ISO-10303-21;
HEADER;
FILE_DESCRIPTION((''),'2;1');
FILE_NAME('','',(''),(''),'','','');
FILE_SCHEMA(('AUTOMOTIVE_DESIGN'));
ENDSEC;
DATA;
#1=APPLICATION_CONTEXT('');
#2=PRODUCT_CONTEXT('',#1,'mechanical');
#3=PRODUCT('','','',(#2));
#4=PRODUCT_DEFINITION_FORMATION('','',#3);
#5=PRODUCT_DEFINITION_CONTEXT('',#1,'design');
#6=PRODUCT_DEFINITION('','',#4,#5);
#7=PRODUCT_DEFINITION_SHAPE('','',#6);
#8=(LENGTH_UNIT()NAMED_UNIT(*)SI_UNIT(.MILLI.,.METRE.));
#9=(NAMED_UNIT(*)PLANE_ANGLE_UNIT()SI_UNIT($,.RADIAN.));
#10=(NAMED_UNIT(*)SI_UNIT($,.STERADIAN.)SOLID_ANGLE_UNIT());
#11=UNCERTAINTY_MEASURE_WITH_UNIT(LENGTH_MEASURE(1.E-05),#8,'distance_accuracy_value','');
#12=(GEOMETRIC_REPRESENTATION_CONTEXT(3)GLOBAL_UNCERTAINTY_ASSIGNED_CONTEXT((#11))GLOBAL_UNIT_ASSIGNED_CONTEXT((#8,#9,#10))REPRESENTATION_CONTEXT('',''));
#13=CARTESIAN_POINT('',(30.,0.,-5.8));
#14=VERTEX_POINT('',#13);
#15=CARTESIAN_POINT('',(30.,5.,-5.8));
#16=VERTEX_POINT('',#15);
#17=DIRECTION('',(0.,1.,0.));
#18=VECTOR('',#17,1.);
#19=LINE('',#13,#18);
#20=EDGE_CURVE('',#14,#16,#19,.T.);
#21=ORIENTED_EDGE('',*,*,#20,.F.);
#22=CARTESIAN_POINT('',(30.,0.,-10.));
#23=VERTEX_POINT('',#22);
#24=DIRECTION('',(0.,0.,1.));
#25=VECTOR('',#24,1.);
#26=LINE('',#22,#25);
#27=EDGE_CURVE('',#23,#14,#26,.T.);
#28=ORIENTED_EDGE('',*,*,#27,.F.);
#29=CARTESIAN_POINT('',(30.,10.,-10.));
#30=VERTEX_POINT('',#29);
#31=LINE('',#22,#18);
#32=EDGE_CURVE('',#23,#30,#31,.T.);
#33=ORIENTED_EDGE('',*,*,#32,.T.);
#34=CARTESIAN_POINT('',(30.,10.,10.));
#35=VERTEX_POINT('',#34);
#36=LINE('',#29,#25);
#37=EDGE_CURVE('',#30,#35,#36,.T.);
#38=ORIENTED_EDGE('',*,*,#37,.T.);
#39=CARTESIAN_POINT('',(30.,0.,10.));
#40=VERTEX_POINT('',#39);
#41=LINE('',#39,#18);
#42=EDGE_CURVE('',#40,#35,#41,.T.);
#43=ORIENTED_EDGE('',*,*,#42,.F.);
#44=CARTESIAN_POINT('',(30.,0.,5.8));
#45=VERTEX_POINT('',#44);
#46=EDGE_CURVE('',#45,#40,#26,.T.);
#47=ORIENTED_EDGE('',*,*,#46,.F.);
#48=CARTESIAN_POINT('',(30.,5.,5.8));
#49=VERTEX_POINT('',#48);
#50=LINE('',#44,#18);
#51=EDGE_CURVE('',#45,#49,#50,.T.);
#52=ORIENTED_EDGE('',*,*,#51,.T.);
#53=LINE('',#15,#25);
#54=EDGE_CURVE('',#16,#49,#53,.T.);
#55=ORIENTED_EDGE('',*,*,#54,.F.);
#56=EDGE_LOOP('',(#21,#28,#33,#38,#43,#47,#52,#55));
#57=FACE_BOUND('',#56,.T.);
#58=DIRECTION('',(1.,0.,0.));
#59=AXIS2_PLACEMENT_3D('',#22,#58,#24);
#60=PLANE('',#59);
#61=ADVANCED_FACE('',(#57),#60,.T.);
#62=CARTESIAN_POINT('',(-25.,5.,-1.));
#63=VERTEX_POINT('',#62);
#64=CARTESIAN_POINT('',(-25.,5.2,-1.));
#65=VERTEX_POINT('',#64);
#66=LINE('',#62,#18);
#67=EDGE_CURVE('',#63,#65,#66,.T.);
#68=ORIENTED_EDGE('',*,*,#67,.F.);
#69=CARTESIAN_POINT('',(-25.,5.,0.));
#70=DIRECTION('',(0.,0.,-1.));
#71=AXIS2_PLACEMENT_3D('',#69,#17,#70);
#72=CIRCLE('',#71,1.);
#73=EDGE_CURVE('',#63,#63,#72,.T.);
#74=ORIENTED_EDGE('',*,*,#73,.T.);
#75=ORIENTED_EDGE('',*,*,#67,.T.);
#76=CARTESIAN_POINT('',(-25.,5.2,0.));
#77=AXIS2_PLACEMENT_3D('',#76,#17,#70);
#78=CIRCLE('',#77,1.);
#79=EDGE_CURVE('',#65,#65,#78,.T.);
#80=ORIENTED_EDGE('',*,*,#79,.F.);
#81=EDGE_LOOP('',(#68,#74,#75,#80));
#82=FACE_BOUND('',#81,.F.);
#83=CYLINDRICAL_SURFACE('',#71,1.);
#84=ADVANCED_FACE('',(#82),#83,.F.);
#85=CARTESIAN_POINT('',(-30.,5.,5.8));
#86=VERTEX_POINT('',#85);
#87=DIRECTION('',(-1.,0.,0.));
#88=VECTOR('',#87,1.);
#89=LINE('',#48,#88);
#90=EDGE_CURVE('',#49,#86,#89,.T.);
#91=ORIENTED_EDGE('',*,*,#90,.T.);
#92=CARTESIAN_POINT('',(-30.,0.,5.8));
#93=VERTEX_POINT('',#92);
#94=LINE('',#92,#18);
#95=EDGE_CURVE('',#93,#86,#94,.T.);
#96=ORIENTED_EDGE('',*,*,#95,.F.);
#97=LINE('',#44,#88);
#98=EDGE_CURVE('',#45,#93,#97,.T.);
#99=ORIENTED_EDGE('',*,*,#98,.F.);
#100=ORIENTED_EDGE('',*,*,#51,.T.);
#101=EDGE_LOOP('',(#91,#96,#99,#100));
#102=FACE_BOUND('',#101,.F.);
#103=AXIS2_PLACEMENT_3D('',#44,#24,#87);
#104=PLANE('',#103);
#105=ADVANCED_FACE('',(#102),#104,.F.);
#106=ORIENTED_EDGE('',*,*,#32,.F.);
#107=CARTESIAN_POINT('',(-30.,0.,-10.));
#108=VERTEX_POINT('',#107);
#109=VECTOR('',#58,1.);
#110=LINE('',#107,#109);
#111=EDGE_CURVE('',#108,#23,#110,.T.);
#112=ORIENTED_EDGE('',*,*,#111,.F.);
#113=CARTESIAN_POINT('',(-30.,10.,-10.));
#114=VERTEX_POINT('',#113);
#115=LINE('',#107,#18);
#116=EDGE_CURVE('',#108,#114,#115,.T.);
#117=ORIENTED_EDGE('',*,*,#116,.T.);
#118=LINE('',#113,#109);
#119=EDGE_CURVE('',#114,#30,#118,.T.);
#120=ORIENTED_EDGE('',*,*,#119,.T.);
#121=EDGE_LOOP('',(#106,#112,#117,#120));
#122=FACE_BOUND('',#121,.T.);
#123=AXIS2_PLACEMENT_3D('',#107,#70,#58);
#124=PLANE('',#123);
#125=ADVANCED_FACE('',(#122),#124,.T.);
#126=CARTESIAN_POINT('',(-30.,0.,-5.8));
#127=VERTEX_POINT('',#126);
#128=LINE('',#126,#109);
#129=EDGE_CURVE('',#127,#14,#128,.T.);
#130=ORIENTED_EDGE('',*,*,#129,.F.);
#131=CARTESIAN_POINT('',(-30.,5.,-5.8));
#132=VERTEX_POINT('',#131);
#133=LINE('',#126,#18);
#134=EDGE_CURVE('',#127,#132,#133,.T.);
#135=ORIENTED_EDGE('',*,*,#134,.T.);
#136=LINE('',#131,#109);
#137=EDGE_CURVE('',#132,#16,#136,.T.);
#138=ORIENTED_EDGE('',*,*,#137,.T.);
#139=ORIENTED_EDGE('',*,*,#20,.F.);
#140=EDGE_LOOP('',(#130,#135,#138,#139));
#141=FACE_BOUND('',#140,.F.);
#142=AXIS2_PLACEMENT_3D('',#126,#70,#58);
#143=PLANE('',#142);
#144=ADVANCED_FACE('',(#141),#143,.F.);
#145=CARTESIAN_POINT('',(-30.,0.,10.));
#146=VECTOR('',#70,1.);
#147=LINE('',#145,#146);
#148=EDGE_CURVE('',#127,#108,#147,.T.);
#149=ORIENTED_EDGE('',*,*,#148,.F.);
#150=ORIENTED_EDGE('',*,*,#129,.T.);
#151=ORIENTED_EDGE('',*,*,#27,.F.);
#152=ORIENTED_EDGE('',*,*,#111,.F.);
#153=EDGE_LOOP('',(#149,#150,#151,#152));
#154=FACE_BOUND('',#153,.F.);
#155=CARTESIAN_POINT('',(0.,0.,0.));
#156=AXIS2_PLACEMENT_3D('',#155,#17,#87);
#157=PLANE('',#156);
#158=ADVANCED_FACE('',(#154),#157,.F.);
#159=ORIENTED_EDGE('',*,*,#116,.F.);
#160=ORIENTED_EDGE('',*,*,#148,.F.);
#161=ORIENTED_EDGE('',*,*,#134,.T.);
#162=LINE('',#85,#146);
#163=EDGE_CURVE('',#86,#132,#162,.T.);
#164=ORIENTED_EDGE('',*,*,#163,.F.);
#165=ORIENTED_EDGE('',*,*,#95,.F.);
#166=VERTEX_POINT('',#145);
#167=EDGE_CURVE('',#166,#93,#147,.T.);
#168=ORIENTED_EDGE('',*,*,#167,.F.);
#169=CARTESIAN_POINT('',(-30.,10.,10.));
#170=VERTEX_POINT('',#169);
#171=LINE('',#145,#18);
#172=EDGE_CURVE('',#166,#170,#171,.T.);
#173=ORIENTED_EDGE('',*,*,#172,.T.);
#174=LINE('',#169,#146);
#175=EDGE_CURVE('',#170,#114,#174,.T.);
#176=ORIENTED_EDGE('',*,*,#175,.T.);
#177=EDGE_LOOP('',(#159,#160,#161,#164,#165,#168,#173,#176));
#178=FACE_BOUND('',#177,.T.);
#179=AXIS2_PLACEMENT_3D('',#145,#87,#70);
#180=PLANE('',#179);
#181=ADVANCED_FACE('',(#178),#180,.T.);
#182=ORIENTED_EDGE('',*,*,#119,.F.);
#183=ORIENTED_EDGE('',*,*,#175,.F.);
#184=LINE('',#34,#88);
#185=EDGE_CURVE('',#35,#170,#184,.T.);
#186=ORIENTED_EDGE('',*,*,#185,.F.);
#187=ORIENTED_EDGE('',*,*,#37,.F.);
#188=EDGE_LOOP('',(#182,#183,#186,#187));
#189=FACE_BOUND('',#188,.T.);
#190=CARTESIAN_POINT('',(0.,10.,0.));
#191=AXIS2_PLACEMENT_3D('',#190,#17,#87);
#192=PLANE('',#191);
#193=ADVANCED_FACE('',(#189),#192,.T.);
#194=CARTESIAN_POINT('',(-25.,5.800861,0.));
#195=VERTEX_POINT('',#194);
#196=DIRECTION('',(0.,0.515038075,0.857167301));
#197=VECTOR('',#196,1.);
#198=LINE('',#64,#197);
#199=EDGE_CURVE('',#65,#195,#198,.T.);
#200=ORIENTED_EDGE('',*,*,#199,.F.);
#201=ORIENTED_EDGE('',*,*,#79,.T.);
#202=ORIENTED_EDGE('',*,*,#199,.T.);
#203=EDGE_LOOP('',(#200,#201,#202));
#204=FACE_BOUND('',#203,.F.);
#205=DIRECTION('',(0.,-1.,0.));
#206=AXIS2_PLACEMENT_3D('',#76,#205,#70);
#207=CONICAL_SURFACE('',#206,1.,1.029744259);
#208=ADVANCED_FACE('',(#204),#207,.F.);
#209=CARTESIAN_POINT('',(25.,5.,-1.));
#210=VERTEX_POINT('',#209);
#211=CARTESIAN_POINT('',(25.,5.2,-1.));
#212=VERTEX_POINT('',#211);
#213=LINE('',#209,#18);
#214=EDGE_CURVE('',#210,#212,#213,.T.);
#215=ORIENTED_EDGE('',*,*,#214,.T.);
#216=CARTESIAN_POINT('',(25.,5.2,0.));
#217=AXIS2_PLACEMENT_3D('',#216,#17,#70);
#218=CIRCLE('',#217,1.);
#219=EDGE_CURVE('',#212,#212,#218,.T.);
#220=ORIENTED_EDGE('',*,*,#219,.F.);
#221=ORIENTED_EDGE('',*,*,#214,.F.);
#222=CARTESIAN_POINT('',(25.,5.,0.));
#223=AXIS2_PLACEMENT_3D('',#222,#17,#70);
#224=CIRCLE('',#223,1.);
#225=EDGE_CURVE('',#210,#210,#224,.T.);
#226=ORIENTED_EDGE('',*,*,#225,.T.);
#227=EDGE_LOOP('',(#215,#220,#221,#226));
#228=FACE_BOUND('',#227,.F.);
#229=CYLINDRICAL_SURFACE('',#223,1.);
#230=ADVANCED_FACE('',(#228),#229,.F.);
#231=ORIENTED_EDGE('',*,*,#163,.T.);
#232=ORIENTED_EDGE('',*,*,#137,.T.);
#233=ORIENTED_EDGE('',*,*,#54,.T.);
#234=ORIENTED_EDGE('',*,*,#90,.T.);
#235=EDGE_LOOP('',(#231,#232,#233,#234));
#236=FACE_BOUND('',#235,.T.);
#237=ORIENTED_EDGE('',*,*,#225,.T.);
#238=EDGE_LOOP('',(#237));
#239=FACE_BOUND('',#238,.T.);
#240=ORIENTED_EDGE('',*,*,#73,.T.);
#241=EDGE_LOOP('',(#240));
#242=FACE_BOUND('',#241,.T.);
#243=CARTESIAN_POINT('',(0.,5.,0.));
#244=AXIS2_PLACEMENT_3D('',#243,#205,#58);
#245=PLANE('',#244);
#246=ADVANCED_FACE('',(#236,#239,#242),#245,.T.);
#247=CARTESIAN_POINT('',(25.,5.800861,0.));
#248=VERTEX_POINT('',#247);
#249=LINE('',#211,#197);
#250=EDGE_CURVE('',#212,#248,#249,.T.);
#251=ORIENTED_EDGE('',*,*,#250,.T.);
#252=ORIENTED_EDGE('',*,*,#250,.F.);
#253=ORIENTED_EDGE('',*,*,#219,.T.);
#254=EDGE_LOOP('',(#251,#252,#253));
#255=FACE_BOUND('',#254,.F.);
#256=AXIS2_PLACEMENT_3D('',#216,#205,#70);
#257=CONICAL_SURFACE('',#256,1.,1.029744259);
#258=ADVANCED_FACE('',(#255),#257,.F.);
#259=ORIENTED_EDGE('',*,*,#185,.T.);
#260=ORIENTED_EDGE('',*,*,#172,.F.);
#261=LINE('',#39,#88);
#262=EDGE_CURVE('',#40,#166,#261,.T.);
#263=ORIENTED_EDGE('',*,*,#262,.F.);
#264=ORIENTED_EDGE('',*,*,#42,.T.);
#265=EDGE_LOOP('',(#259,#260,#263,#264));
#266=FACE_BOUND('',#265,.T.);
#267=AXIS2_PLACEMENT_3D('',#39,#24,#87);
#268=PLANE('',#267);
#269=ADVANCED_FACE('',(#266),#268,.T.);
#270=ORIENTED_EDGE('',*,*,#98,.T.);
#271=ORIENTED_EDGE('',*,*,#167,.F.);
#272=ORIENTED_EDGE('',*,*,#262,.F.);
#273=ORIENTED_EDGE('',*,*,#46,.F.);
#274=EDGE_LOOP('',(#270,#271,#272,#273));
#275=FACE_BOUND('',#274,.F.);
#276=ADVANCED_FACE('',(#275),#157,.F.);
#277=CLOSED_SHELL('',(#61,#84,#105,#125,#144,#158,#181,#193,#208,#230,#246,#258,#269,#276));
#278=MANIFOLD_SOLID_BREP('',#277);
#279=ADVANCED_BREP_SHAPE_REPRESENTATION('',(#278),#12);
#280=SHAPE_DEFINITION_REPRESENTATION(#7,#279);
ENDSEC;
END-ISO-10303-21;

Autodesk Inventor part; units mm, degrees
ref_plane "YZ Plane" through (0, 0, 0) normal (1, 0, 0) x (0, 1, 0)
ref_plane "XZ Plane" through (0, 0, 0) normal (0, 1, 0) x (-1, 0, 0)
ref_plane "XY Plane" through (0, 0, 0) normal (0, 0, 1) x (1, 0, 0)
sketch "スケッチ1" plane through (0, 0, 0) normal (0, 1, 0) x (-1, 0, 0)
  line L0 (30, -10) -> (-30, -10)
  line L1 (-30, -10) -> (-30, 10)
  line L2 (-30, 10) -> (30, 10)
  line L3 (30, 10) -> (30, -10)
  line L4 (30, -10) -> (-30, 10) construction
  line L5 (30, 10) -> (-30, -10) construction
  point P0 (0, 0)
  point P1 (0, 0)
  dimension "d0" = 60
  dimension "d1" = 20
extrude "押し出し1" add sketch "スケッチ1" along normal blind 10
sketch "スケッチ3" plane through (0, 0, 0) normal (0, -1, 0) x (1, 0, 0)
  line L0 (30, 5.8) -> (-30, 5.8)
  line L1 (-30, 5.8) -> (-30, -5.8)
  line L2 (-30, -5.8) -> (30, -5.8)
  line L3 (30, -5.8) -> (30, 5.8)
  line L4 (30, 10) -> (30, -10) projected
  line L5 (-30, -10) -> (-30, 10) projected
  line L6 (30, 5.8) -> (-30, -5.8) construction
  point P0 (0, 0)
  point P1 (0, 0)
  dimension "d12" = 11.6
extrude "押し出し2" cut sketch "スケッチ3" against normal blind 5
sketch "スケッチ4" plane through (0, 5, 0) normal (0, -1, 0) x (1, 0, 0)
  line L0 (-25, 0) -> (25, 0) construction
  point P0 (0, 0)
  point P1 (0, 0)
  dimension "d15" = 50
hole "穴2" at (-25, 5, 0) at (25, 5, 0) direction (0, 1, 0) diameter 2 depth 0.2 tip angle 118
ref_plane "作業平面1" through (0, 0, 10) normal (-1, 0, 0) x (0, 0, 1)
ref_plane "作業平面2" through (-30, 0, 0) normal (0, 0, 1) x (1, 0, 0)
ref_plane "作業平面3" through (0, 5, 0) normal (0, -1, 0) x (1, 0, 0)
properties part number "forkmount" material "ABS プラスチック"
